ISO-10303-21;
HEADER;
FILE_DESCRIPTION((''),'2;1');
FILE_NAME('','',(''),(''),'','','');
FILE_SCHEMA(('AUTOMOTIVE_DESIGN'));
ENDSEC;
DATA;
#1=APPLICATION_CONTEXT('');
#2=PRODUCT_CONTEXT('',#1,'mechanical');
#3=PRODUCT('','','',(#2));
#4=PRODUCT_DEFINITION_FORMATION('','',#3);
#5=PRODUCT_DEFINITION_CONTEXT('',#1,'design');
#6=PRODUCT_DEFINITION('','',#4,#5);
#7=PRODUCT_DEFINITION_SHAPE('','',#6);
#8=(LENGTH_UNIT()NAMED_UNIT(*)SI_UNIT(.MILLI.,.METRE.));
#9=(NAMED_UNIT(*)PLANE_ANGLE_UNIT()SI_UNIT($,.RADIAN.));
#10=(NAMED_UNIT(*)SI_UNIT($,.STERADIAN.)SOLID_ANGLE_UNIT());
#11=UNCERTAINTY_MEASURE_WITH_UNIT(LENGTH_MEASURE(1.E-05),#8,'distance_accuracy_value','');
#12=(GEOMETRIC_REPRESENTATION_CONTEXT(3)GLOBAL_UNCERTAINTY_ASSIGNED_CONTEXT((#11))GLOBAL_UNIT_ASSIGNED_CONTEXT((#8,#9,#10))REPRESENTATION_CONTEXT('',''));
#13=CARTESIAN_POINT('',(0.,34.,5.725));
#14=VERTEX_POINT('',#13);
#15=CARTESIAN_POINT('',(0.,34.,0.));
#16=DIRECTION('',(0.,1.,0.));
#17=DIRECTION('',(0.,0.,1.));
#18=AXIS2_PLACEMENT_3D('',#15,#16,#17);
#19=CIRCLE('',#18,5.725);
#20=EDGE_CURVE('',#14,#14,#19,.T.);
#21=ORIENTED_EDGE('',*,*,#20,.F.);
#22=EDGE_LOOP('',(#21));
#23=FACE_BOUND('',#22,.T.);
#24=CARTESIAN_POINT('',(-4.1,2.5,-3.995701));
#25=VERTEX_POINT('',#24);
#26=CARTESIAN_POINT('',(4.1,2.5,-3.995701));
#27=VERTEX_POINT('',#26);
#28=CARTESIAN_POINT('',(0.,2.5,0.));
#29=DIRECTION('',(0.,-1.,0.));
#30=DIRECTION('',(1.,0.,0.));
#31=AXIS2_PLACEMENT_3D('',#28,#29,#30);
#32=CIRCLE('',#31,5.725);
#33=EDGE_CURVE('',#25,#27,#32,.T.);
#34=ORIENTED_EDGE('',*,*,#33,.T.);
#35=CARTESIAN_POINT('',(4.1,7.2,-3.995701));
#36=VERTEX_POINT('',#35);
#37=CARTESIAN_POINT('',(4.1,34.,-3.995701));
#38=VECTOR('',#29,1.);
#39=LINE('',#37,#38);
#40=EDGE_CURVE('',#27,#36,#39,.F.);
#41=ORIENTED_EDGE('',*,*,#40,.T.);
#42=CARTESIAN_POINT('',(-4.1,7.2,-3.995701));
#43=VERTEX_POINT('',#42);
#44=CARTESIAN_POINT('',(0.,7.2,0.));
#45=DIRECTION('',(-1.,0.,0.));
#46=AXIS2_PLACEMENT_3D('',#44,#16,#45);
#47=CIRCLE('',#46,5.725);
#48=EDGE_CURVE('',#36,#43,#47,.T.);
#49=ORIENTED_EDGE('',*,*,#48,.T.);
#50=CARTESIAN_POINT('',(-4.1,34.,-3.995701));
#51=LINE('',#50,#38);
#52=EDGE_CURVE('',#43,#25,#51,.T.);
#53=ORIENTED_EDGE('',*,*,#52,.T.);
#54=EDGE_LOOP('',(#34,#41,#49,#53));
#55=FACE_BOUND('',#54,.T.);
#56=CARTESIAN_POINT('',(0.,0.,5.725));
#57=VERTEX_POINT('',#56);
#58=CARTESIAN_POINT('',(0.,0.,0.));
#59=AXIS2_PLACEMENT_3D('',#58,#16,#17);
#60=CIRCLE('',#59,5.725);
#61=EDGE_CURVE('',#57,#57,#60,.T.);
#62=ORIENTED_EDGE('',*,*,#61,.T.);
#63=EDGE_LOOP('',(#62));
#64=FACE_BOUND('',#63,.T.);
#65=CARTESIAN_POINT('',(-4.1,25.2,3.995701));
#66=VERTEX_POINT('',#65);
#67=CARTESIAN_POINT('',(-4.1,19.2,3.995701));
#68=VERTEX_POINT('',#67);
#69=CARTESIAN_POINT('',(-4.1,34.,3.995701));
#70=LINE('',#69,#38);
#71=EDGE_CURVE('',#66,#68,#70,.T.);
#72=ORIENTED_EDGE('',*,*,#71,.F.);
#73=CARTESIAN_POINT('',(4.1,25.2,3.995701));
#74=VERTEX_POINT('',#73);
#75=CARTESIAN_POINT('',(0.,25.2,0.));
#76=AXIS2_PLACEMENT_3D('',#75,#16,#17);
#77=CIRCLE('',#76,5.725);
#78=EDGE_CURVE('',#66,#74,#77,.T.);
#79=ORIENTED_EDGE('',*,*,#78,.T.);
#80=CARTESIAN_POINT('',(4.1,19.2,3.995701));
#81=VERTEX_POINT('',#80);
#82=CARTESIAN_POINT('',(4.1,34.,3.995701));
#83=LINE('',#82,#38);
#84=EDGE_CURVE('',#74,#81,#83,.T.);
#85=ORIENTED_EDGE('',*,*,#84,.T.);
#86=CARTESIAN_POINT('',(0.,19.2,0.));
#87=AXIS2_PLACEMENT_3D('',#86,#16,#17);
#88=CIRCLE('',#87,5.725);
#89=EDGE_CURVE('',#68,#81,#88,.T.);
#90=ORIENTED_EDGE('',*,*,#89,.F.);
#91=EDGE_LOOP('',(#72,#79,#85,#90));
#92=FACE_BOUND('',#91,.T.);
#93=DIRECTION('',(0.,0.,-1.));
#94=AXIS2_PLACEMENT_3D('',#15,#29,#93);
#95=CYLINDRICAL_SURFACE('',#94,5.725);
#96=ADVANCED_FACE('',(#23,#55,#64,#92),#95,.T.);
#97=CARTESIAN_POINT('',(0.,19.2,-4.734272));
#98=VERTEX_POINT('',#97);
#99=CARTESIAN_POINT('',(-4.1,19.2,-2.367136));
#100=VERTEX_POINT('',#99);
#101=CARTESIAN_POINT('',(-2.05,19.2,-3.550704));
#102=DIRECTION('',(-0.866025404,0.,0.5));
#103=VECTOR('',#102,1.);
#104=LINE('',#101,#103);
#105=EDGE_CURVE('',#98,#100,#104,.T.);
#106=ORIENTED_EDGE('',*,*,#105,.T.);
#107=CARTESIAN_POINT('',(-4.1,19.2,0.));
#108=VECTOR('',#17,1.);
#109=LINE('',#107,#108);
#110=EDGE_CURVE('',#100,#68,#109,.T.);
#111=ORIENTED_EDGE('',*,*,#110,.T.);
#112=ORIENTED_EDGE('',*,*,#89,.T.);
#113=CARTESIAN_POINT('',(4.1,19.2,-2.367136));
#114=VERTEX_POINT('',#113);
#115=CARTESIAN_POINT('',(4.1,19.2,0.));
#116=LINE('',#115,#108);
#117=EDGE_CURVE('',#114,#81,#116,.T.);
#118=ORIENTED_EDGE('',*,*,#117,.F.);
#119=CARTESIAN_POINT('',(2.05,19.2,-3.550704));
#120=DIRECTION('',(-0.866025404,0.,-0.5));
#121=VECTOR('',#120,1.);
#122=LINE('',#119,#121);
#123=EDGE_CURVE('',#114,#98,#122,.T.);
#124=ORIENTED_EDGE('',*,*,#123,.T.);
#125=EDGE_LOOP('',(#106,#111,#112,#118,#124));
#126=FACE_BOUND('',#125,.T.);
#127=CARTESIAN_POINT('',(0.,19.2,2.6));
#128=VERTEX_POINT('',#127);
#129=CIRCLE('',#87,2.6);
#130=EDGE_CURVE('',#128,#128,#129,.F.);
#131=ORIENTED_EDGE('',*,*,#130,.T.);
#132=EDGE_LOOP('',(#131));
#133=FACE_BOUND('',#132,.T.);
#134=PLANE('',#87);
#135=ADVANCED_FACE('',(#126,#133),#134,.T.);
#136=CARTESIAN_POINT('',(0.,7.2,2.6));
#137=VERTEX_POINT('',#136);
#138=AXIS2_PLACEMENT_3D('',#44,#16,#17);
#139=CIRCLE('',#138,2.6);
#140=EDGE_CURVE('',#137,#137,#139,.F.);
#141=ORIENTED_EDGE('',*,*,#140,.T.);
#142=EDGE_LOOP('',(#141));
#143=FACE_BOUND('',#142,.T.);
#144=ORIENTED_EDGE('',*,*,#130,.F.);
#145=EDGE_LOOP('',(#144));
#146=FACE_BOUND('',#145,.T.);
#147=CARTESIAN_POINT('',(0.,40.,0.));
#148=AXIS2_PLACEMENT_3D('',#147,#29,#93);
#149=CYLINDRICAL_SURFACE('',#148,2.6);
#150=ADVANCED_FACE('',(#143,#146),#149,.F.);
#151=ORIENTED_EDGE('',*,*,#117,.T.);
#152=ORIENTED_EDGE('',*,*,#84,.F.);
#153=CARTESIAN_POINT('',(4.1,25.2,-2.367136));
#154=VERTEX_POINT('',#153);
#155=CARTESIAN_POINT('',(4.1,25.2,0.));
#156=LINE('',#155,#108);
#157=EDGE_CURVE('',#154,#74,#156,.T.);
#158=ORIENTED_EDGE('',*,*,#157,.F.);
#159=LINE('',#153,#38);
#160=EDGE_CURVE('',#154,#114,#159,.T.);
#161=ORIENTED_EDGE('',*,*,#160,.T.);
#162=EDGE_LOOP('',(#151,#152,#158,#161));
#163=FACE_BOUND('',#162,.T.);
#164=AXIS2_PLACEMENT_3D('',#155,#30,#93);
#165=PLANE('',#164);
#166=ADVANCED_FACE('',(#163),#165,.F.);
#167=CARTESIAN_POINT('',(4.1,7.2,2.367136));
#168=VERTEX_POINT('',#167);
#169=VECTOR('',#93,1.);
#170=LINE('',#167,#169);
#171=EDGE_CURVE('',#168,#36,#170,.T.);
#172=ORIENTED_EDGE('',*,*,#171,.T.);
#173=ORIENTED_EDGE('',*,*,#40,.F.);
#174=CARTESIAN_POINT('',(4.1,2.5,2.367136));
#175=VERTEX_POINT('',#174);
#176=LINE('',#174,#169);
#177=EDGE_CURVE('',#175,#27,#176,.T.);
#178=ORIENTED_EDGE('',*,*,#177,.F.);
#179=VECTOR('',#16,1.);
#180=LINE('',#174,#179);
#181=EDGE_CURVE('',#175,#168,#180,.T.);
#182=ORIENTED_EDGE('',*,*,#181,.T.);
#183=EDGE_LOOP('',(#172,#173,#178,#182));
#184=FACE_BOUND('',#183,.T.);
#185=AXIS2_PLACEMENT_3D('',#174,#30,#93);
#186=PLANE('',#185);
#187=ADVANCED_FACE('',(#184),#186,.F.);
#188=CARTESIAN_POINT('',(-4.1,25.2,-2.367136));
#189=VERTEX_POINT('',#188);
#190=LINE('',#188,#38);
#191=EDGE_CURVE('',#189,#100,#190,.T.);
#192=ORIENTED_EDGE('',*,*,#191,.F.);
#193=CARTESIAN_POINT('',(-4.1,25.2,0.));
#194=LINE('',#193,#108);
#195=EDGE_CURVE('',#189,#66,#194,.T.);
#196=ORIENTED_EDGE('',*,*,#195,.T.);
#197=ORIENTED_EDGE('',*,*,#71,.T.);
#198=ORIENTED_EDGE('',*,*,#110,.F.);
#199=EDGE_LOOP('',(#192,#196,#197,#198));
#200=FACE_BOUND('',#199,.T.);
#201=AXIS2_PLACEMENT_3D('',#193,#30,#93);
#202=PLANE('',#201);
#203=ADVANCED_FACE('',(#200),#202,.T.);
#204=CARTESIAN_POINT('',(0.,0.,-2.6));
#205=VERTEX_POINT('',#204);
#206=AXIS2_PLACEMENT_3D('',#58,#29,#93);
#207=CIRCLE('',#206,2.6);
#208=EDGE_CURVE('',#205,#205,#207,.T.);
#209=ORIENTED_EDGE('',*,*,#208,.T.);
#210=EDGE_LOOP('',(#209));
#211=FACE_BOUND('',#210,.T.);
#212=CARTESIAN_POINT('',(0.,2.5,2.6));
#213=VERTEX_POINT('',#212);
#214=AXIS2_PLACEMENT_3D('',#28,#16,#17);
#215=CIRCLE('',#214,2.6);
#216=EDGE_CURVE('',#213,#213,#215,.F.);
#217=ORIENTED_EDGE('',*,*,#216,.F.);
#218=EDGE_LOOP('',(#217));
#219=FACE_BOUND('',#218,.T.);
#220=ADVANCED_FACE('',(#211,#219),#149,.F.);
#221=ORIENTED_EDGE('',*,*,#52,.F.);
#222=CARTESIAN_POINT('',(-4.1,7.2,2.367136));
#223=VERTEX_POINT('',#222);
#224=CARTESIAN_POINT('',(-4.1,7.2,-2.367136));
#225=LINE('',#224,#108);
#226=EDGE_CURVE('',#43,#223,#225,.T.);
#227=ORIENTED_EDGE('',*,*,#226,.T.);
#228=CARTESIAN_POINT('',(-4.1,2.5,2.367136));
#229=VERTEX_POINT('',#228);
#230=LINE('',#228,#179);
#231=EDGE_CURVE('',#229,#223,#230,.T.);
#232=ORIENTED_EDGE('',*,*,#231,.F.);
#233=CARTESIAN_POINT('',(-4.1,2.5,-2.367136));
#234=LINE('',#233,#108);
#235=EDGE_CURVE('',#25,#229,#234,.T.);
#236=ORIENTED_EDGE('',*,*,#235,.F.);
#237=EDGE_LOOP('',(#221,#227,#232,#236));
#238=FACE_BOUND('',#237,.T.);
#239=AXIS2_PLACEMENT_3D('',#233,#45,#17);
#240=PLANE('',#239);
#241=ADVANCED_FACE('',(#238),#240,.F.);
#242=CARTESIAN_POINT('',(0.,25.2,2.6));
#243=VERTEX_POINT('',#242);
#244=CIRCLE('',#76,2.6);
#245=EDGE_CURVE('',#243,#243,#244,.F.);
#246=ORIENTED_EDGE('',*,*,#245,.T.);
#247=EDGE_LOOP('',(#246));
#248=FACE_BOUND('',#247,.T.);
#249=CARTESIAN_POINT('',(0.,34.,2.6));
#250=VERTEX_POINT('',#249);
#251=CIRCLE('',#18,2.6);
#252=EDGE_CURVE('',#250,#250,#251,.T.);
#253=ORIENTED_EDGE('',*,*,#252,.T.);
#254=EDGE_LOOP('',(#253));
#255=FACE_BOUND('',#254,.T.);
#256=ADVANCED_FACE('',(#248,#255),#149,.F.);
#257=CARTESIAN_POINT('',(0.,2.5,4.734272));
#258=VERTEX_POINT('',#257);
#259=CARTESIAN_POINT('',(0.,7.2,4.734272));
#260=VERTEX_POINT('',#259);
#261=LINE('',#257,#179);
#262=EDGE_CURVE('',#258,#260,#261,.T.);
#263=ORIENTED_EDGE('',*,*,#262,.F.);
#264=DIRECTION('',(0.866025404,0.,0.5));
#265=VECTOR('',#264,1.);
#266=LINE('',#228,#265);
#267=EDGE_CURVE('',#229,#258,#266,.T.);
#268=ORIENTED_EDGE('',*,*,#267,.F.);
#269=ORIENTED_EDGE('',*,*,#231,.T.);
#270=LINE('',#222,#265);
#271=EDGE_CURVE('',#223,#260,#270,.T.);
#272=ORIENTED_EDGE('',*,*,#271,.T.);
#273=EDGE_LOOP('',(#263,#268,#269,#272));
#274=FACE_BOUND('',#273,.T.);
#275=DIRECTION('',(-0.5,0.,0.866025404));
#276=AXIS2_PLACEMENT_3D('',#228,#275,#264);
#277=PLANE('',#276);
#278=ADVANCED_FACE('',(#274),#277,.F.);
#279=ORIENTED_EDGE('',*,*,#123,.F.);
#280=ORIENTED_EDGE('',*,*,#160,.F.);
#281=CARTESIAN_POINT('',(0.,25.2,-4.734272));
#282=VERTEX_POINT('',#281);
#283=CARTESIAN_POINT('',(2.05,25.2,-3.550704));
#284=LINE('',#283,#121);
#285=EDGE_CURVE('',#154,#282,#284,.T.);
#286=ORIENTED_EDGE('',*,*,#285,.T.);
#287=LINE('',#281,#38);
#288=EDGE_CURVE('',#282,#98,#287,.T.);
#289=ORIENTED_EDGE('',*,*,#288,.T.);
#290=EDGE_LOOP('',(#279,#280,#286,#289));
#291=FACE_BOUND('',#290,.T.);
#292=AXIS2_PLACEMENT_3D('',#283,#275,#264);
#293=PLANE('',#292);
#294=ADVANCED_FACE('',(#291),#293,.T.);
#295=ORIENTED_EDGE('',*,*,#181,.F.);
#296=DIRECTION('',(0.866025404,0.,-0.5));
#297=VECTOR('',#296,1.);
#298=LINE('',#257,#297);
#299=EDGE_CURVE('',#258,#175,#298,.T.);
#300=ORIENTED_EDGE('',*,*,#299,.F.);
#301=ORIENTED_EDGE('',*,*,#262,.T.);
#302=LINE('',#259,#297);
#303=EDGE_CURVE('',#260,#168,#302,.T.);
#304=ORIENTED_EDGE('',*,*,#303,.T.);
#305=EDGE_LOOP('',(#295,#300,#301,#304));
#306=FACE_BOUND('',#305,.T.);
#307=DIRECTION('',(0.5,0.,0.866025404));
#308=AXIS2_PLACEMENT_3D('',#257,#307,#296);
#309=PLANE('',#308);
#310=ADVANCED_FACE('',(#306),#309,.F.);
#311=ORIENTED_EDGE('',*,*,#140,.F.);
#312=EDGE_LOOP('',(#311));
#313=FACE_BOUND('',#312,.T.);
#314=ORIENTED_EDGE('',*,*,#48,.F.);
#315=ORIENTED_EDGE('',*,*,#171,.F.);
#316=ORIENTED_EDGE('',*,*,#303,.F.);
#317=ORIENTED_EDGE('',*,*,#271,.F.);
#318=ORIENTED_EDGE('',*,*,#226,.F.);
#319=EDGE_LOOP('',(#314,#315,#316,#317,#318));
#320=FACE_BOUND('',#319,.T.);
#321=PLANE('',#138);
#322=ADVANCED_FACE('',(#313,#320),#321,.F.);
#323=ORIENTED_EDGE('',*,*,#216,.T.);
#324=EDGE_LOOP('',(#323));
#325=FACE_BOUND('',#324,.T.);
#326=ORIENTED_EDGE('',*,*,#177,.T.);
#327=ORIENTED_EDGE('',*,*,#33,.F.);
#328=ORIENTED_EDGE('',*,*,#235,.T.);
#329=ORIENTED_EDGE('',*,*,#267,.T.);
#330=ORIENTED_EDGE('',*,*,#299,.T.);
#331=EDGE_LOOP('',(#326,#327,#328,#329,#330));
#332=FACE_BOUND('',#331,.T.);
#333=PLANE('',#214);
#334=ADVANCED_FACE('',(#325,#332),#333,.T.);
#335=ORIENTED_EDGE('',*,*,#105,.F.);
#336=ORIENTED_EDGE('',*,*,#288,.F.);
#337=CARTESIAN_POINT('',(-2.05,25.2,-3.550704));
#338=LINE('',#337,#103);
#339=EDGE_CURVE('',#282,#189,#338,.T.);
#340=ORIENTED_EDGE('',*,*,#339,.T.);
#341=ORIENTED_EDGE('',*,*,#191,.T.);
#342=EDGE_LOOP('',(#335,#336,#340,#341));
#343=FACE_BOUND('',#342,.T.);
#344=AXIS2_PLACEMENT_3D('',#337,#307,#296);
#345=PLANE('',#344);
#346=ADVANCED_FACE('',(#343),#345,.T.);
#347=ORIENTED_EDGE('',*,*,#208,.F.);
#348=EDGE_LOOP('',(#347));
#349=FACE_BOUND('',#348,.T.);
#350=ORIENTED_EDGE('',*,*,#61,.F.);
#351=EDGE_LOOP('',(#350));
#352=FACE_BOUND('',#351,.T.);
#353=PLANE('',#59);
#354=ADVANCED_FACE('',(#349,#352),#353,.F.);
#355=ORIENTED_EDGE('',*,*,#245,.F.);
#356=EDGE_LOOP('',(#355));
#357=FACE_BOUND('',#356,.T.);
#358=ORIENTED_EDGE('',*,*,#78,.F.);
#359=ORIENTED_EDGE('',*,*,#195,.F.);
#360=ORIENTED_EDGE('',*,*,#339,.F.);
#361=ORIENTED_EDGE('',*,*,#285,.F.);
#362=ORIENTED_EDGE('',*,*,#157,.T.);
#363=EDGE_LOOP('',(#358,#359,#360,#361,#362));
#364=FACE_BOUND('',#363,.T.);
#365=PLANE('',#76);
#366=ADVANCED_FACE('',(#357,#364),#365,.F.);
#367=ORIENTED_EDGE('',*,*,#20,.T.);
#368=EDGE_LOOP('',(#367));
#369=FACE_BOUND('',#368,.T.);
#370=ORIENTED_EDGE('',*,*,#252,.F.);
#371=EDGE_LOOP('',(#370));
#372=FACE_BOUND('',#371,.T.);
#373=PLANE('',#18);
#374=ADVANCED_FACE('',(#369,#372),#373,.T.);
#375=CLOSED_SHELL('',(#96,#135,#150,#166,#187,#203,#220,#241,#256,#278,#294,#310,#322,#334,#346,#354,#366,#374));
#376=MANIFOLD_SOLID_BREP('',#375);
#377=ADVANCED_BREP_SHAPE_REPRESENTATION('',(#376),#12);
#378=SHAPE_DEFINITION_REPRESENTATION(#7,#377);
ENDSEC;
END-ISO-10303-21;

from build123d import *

# Parameters (mm, degrees)
SKETCH1_R           = 5.725
SKETCH1_R_2         = 3
BOSS_EXTRUDE1_DEPTH = 34
SKETCH2_R           = 5.725
BOSS_EXTRUDE2_DEPTH = 34
SKETCH3_R           = 2.6
CUT_EXTRUDE1_DEPTH  = 40
CUT_EXTRUDE2_DEPTH  = 4.7
SKETCH5_W           = 8.2
SKETCH5_H           = 4.7
CUT_EXTRUDE3_DEPTH  = 10
CUT_EXTRUDE10_DEPTH = 6


with BuildPart() as part:
    # Sketch1 → Boss-Extrude1 (new body)
    with BuildSketch(Plane(origin=(0, 0, 0), x_dir=(1, 0, 0), z_dir=(0, 1, 0))):
        with Locations(Location((0, 0, 0), (0, 0, 270))):
            Circle(SKETCH1_R)
        with Locations(Location((0, 0, 0), (0, 0, 270))):
            Circle(SKETCH1_R_2, mode=Mode.SUBTRACT)
    extrude(amount=BOSS_EXTRUDE1_DEPTH)

    # Sketch2 → Boss-Extrude2 (add)
    with BuildSketch(Plane(origin=(0, 0, 0), x_dir=(-1, 0, 0), z_dir=(0, -1, 0))):
        with Locations(Location((0, 0, 0), (0, 0, 270))):
            Circle(SKETCH2_R)
    extrude(amount=-BOSS_EXTRUDE2_DEPTH)

    # Sketch3 → Cut-Extrude1 (cut)
    with BuildSketch(Plane(origin=(0, 0, 0), x_dir=(-1, 0, 0), z_dir=(0, -1, 0))):
        with Locations(Location((0, 0, 0), (0, 0, 90))):
            Circle(SKETCH3_R)
    extrude(amount=-CUT_EXTRUDE1_DEPTH, mode=Mode.SUBTRACT)

    # Sketch4 → Cut-Extrude2 (cut)
    with BuildSketch(Plane(origin=(0, 7.2, 0), x_dir=(1, 0, 0), z_dir=(0, 1, 0))):
        Polygon((0, -4.734272207), (4.1, -2.367136104), (4.1, 2.367136104), (0, 4.734272207), (-4.1, 2.367136104), (-4.1, -2.367136104), align=None)
    extrude(amount=-CUT_EXTRUDE2_DEPTH, mode=Mode.SUBTRACT)

    # Sketch5 → Cut-Extrude3 (cut)
    with BuildSketch(Plane.XY):
        with Locations((0, 4.85)):
            Rectangle(SKETCH5_W, SKETCH5_H)
    extrude(amount=-CUT_EXTRUDE3_DEPTH, mode=Mode.SUBTRACT)

    # Sketch6 → Cut-Extrude10 (cut)
    with BuildSketch(Plane(origin=(0, 19.2, 0), x_dir=(1, 0, 0), z_dir=(0, 1, 0))):
        Polygon((-4.1, 2.367136104), (-4.1, -6.0044428), (-4.1, -15.659528102), (4.1, -15.659528102), (4.1, -2.367136104), (4.1, 2.367136104), align=None)
        Polygon((4.1, 2.367136104), (-4.1, 2.367136104), (0, 4.734272207), align=None)
    extrude(amount=CUT_EXTRUDE10_DEPTH, mode=Mode.SUBTRACT)


solid = part.part
